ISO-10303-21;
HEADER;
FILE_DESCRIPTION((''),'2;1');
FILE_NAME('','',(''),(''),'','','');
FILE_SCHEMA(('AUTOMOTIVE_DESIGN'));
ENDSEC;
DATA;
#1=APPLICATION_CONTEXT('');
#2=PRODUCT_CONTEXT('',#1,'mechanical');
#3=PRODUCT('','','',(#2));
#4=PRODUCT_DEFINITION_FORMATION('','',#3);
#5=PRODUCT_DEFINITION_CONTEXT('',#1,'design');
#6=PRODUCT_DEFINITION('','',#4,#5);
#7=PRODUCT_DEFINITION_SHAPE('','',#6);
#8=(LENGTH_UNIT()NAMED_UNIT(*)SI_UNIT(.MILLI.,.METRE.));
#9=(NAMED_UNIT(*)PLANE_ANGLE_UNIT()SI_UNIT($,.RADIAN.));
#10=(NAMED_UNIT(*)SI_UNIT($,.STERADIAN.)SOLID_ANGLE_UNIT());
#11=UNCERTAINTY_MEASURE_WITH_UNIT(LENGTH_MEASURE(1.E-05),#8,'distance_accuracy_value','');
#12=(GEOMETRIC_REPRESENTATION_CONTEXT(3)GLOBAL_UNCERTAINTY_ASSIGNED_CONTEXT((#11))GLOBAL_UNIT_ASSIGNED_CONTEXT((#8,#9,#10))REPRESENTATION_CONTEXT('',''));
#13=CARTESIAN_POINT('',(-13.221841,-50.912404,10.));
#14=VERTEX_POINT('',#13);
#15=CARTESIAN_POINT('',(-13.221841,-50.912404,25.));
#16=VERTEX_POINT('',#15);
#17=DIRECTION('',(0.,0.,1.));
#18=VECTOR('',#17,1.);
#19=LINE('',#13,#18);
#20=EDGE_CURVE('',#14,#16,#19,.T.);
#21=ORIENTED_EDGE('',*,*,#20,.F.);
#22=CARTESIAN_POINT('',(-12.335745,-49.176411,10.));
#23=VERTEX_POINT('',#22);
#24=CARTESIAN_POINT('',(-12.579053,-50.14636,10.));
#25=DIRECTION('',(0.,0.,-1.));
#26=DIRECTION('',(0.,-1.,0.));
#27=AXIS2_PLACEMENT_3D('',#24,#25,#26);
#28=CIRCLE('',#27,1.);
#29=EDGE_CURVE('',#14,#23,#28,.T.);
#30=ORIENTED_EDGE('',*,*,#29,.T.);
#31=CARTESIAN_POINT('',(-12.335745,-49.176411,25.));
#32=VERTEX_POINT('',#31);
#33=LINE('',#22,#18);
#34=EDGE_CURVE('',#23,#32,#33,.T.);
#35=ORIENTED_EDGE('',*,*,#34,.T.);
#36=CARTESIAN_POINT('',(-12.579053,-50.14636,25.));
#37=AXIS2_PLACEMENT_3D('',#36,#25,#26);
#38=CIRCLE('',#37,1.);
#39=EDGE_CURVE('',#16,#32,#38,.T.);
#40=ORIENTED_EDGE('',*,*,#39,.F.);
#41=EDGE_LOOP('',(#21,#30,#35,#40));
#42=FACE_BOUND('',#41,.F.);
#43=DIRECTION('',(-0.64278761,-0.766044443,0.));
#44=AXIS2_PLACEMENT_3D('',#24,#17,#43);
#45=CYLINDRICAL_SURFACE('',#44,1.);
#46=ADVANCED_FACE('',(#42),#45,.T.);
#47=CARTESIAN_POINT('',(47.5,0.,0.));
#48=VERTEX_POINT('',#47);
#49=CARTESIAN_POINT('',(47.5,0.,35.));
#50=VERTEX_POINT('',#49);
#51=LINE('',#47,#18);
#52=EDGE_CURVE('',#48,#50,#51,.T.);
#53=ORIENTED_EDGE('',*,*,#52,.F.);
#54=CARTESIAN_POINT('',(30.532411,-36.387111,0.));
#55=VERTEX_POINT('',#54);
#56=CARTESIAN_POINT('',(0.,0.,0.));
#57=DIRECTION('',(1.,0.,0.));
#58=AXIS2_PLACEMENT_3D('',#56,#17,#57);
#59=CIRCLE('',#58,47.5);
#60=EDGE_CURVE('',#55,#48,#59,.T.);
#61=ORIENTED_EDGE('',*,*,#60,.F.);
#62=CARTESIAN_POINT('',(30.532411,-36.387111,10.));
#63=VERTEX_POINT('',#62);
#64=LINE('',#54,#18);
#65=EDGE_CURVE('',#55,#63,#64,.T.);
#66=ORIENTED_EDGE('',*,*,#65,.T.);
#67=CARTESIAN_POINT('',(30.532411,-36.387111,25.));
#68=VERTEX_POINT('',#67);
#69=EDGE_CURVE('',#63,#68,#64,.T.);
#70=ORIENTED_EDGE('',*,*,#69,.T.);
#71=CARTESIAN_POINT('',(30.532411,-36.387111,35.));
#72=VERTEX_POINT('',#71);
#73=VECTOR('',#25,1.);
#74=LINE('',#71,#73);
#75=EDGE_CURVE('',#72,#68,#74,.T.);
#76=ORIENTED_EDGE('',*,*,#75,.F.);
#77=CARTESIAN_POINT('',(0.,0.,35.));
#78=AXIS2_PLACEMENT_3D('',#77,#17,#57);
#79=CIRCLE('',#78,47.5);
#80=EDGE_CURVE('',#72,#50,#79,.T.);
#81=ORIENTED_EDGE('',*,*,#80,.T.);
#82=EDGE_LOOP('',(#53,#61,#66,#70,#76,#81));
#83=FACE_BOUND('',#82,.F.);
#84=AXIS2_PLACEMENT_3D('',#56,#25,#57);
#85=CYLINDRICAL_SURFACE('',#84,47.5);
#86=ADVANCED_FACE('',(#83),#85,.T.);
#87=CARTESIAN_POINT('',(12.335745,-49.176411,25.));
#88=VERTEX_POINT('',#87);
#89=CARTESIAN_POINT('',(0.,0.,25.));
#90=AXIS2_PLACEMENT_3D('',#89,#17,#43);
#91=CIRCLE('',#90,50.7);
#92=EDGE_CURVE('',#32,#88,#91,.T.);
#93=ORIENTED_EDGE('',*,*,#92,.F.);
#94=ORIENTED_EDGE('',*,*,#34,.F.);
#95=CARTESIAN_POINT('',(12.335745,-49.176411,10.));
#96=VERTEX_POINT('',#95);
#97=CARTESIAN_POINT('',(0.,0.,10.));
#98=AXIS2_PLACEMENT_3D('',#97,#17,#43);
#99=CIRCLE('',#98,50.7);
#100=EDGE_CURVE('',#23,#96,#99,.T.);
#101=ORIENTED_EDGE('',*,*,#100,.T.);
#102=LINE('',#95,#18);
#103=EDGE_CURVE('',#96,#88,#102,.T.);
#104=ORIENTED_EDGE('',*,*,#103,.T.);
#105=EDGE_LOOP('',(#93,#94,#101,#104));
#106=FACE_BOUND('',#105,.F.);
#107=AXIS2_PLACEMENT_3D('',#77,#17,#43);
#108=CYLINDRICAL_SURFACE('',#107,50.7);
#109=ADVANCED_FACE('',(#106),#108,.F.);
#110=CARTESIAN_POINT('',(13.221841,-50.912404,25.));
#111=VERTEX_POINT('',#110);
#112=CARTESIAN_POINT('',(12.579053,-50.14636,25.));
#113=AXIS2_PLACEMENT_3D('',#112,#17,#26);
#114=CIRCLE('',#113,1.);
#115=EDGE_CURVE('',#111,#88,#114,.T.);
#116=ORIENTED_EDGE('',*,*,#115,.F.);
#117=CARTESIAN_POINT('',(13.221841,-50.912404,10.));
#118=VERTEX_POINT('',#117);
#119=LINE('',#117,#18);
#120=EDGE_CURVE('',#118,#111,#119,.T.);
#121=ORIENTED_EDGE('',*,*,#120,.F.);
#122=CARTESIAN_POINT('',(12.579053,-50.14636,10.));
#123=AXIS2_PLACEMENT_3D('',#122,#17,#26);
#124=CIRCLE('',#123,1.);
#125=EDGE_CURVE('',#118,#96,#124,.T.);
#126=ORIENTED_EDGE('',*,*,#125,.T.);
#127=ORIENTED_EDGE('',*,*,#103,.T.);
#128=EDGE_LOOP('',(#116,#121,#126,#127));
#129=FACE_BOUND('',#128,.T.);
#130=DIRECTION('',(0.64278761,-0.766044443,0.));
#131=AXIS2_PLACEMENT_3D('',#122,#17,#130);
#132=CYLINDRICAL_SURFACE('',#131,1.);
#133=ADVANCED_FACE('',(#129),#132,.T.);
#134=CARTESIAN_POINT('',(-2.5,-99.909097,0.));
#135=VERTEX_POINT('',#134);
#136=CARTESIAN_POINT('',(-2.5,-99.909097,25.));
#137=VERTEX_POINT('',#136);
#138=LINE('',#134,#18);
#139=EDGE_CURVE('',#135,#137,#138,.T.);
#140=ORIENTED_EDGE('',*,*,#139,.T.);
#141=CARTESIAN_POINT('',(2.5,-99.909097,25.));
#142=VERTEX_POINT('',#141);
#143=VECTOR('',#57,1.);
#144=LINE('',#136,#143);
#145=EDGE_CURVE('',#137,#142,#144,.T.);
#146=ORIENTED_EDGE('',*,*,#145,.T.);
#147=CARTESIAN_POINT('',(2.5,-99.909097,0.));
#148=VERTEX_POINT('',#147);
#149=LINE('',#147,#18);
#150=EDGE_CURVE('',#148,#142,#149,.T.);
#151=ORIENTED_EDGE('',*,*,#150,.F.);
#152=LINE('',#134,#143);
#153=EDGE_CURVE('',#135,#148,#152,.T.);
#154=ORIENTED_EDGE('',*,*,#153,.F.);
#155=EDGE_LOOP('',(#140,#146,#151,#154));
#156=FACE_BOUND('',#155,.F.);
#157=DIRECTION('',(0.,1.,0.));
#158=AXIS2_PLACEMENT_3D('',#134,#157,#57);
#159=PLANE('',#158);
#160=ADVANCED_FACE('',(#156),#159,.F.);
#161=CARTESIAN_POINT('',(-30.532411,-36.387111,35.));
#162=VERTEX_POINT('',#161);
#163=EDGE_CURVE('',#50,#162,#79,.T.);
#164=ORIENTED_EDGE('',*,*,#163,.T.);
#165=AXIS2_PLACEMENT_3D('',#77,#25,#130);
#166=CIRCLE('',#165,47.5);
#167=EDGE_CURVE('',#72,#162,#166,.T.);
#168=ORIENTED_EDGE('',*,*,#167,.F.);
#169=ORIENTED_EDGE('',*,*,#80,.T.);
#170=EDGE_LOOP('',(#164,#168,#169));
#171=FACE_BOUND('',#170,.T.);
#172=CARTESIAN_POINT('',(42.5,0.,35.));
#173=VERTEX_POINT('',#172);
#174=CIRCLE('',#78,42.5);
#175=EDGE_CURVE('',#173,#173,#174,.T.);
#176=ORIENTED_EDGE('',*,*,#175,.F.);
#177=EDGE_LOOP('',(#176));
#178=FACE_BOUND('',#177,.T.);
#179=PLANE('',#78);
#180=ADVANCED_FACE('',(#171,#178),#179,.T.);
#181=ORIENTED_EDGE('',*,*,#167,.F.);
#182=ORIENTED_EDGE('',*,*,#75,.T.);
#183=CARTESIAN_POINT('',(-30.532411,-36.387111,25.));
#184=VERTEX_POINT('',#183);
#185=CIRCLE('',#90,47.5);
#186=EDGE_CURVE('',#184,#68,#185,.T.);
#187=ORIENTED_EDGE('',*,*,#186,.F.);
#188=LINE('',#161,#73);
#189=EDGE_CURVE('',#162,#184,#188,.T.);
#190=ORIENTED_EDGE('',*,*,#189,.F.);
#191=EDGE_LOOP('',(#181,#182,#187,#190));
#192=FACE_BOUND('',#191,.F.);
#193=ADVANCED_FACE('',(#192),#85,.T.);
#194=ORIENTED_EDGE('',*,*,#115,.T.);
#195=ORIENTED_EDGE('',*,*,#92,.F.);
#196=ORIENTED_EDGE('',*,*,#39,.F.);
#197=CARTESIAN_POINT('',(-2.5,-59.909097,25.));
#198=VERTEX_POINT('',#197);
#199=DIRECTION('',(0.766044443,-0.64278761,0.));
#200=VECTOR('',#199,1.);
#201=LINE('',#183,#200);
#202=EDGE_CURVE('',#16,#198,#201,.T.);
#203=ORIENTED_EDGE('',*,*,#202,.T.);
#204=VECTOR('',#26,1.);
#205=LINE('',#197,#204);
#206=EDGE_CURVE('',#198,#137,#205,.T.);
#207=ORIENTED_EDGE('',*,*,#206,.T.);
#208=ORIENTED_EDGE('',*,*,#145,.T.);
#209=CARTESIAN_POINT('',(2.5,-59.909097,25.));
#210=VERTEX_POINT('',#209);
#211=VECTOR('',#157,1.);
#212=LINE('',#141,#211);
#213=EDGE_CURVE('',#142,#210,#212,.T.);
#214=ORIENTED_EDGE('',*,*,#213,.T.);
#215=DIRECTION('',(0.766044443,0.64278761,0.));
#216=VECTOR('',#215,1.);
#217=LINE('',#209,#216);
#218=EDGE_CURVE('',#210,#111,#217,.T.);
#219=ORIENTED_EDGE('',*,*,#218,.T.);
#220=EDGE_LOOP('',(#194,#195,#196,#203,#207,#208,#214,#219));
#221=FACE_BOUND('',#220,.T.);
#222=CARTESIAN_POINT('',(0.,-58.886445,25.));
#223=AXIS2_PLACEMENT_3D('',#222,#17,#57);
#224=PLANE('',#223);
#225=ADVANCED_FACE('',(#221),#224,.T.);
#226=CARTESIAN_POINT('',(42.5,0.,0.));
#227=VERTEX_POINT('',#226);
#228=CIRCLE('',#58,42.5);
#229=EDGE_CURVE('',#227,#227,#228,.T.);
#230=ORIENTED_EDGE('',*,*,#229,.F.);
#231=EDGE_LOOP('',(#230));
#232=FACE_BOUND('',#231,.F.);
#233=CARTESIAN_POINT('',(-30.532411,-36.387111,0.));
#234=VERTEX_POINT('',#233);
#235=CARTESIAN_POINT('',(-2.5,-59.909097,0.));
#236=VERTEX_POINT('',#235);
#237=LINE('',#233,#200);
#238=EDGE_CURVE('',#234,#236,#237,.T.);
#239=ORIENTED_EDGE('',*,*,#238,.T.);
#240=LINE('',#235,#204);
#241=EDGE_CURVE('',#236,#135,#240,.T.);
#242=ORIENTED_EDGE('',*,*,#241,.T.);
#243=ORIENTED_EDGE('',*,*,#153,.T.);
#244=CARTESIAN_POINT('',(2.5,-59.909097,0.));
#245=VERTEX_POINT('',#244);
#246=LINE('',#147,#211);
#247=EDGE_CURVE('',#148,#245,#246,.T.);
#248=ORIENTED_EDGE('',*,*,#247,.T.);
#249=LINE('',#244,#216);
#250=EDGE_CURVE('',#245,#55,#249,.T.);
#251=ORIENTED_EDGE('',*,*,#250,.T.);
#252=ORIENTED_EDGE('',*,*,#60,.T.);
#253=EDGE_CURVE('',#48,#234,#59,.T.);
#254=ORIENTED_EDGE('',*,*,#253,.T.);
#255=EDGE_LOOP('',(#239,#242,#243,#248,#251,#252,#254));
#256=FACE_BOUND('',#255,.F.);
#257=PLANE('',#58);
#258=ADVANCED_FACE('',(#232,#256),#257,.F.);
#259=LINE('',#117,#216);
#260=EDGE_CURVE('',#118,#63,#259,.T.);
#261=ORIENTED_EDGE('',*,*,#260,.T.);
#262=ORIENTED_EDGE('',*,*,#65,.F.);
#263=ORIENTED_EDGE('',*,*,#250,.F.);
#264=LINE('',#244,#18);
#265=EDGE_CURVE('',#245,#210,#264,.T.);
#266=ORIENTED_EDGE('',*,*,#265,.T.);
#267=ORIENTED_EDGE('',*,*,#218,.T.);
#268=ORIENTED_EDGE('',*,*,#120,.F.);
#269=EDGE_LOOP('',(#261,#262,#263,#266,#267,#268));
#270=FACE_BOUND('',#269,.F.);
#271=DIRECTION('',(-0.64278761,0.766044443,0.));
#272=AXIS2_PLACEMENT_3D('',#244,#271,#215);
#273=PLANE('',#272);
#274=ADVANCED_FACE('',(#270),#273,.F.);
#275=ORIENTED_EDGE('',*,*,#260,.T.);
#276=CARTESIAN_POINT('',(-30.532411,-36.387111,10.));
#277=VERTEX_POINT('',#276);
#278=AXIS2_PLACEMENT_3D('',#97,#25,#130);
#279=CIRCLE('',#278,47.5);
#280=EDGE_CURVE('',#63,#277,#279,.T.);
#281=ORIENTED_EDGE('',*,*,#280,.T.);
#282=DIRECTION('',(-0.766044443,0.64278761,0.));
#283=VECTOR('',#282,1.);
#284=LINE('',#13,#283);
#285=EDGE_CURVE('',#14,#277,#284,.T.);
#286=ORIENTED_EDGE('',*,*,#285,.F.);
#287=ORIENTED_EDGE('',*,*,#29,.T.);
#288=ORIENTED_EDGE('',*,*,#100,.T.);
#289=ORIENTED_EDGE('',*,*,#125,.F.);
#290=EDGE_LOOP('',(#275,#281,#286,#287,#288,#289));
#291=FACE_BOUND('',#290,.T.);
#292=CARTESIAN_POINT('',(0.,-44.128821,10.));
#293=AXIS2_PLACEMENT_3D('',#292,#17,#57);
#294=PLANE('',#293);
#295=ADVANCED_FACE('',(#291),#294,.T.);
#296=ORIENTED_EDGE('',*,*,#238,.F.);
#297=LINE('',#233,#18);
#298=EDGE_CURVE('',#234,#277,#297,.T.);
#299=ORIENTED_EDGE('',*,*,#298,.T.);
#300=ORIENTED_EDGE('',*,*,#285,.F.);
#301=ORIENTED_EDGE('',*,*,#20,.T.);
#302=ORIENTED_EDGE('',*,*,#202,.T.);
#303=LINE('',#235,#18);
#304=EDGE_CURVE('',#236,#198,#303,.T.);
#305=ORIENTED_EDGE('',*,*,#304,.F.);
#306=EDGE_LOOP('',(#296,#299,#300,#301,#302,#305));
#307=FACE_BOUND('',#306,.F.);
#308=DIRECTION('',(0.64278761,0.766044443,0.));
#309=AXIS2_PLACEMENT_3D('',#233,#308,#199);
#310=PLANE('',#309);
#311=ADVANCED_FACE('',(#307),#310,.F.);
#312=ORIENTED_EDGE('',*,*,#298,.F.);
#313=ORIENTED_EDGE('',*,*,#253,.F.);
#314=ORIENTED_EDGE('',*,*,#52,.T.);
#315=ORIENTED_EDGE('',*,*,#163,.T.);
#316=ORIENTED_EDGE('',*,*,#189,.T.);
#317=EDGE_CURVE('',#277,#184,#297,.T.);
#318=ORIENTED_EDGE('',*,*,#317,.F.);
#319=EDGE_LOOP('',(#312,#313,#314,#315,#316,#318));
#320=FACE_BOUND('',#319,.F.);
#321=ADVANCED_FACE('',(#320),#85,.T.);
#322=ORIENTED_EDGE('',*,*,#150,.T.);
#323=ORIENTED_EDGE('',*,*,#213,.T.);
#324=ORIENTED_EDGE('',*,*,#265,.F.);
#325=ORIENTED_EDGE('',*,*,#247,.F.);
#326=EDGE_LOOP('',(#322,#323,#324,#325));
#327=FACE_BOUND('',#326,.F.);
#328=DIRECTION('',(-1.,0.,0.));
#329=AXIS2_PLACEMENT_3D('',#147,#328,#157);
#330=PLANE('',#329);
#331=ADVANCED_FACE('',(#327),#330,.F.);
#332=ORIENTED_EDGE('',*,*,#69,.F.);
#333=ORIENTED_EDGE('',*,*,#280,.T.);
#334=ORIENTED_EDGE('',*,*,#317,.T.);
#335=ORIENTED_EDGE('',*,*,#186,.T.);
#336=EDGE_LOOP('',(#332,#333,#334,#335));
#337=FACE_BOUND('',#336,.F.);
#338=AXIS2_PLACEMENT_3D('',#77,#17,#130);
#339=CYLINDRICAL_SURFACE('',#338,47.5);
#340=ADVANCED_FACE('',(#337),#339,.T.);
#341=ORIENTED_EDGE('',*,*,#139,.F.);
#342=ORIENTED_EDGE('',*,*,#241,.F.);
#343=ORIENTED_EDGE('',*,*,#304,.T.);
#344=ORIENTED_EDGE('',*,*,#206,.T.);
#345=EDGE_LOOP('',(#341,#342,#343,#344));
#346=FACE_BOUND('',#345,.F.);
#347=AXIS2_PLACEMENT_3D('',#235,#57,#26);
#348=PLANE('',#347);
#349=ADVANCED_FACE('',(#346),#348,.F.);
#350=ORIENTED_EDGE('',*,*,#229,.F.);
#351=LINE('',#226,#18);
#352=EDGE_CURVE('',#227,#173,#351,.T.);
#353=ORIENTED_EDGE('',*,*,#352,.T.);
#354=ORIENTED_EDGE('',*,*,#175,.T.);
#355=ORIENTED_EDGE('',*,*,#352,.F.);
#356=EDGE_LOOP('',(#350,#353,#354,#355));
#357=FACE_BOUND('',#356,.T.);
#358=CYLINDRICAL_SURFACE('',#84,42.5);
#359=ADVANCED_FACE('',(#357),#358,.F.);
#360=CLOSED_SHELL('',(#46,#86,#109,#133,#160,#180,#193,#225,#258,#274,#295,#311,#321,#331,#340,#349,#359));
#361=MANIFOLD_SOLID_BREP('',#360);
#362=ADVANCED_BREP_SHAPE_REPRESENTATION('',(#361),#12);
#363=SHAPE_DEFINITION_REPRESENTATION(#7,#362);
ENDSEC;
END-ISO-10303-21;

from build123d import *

# Parameters (mm, degrees)
F0_R     = 47.5
F0_R_2   = 42.5
F1_DEPTH = 35
F3_DEPTH = 25
F5_DEPTH = 25
F6_R     = 1


with BuildPart() as f1:
    # F0 (on Top) → F1 (new body)
    with BuildSketch(Plane.XY):
        Circle(F0_R)
        Circle(F0_R_2, mode=Mode.SUBTRACT)
    extrude(amount=F1_DEPTH)

    # F2 (on Top) → F3 (join)
    with BuildSketch(Plane.XY):
        Polygon((0, -47.5), (-30.5324114601, -36.3871110482), (-2.5, -59.9090971653), (-2.5, -99.9090971653), (0, -99.9090971653), (2.5, -99.9090971653), (2.5, -59.9090971653), (30.5324114601, -36.3871110482), align=None)
    extrude(amount=F3_DEPTH)

    # F4 (on face) → F5 (cut)
    with BuildSketch(Plane.XY.offset(35)):
        with BuildLine():
            ThreePointArc((30.5324114601, -36.3871110482), (0, -47.5), (-30.5324114601, -36.3871110482))
            Line((-30.5324114601, -36.3871110482), (-32.5893318111, -38.8384532661))
            ThreePointArc((-32.5893318111, -38.8384532661), (0, -50.7), (32.5893318111, -38.8384532661))
            Line((32.5893318111, -38.8384532661), (30.5324114601, -36.3871110482))
        make_face()
    extrude(amount=-F5_DEPTH, mode=Mode.SUBTRACT)

    # F6
    f6_edges = [f1.edges().sort_by_distance(p)[0] for p in [
        (16.952883, -47.781689, 17.5),
        (-16.952883, -47.781689, 17.5),
    ]]
    fillet(f6_edges, radius=F6_R)


solid = f1.part
